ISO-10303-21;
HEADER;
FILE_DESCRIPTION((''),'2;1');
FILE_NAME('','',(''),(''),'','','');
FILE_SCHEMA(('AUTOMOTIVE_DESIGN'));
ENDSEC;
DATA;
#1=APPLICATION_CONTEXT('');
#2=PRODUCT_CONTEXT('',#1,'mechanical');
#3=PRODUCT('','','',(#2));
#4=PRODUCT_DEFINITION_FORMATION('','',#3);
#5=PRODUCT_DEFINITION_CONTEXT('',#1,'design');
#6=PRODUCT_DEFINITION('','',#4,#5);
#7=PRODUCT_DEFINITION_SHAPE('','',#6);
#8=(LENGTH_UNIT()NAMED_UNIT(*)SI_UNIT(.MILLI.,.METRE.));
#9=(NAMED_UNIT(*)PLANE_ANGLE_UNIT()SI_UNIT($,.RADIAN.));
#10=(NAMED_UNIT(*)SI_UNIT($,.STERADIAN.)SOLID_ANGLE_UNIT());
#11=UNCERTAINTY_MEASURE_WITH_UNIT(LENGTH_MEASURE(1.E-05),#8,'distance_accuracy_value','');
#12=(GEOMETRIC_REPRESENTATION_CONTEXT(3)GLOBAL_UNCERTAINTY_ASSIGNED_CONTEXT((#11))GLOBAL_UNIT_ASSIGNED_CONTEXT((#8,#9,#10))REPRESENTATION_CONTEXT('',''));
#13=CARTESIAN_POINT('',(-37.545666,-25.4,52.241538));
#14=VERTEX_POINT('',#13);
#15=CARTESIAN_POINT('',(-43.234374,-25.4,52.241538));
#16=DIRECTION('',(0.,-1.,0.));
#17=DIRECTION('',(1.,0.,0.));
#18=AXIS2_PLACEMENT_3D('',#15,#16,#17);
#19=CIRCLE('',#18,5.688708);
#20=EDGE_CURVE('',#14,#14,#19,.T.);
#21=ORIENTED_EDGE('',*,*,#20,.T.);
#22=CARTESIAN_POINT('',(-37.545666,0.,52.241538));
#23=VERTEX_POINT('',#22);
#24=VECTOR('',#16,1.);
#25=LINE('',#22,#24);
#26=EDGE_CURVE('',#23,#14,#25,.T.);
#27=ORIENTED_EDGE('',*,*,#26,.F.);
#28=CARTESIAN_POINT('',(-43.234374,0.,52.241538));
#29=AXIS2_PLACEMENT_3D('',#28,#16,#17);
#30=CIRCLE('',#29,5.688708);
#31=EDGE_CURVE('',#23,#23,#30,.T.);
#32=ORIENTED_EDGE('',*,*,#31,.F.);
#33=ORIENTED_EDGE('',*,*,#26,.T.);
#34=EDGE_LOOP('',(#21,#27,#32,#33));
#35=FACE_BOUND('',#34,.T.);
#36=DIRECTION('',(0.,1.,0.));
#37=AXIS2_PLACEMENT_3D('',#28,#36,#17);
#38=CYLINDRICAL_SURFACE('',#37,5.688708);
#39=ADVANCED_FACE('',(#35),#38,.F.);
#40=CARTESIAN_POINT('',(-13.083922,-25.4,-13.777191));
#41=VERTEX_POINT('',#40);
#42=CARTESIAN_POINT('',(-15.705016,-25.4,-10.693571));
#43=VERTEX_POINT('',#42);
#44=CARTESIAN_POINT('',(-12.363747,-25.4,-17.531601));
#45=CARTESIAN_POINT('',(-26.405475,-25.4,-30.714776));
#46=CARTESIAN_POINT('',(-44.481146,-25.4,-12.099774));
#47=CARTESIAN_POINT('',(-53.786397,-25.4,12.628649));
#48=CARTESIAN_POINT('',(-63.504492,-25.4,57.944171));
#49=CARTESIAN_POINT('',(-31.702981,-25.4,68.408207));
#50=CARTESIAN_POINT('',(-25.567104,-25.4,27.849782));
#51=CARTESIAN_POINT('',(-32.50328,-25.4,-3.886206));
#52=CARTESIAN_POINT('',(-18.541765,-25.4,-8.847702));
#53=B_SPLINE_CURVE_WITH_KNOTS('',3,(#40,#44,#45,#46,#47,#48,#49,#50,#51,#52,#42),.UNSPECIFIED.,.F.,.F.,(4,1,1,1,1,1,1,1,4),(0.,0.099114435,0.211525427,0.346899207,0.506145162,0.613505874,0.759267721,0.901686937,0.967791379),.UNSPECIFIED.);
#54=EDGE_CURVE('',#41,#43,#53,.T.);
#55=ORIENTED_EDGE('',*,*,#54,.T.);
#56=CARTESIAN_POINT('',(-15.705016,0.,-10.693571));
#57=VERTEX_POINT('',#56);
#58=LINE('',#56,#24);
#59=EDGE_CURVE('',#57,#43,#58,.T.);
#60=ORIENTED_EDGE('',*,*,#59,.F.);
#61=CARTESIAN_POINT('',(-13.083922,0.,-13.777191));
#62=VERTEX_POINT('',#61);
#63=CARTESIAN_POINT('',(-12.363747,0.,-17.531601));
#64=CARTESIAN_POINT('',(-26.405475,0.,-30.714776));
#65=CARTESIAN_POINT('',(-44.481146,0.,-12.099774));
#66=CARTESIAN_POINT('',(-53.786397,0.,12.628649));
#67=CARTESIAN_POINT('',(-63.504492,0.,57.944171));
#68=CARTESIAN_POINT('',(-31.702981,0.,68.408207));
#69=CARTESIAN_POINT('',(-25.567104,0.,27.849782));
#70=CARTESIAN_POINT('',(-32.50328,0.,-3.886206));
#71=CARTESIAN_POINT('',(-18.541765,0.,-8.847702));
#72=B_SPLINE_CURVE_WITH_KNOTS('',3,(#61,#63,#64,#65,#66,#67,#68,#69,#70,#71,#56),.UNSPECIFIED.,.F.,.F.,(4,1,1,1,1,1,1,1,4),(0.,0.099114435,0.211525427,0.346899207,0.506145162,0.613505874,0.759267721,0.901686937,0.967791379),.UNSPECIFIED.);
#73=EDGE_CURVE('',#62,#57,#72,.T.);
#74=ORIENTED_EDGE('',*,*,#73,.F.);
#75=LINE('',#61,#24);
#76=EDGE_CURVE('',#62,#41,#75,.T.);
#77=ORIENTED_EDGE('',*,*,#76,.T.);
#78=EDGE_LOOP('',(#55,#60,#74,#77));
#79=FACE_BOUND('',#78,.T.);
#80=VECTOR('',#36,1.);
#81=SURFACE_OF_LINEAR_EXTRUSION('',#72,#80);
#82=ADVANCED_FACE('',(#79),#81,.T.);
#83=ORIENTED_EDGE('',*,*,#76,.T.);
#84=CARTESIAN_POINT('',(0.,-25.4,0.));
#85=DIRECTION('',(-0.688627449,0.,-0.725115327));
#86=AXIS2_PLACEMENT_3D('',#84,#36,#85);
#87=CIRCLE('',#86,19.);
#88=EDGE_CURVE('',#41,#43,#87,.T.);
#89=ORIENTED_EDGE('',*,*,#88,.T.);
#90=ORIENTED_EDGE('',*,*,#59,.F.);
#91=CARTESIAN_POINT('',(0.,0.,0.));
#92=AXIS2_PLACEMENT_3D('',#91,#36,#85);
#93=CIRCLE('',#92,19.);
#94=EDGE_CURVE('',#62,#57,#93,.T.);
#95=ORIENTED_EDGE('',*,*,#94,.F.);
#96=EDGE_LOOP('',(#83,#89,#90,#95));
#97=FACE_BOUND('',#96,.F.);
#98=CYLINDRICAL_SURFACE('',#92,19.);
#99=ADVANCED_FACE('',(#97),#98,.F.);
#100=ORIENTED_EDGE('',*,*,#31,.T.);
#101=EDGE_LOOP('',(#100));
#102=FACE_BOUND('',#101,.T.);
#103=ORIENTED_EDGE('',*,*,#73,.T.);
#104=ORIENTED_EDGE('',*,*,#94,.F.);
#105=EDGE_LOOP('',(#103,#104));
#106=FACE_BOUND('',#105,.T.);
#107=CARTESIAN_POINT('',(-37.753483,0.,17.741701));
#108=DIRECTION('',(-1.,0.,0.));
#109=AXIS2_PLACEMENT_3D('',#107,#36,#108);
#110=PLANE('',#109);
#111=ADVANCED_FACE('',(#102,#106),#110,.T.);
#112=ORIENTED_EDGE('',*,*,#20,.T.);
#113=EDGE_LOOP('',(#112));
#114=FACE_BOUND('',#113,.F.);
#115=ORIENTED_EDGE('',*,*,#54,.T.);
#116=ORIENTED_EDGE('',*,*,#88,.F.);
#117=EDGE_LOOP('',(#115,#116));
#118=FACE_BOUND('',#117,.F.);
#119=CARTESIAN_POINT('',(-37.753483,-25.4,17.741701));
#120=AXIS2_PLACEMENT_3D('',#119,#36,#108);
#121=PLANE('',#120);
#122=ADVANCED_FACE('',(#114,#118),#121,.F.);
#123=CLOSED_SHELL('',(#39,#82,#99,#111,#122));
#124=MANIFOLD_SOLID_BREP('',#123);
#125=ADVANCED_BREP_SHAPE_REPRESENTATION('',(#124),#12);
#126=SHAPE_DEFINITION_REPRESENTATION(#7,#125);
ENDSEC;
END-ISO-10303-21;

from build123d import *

# Parameters (mm, degrees)
F0_R     = 5.6887082479
F1_DEPTH = 25.4


with BuildPart() as f1:
    # F0 (on Front) → F1 (new body)
    with BuildSketch(Plane.XZ):
        with BuildLine():
            add(Edge.make_bspline(
                [(-13.0839215248, -13.7771912062), (-12.3637471248, -17.5316008011), (-26.4054747869, -30.7147757195), (-44.4811464496, -12.0997744428), (-53.7863967937, 12.6286486059), (-63.5044924073, 57.9441707835), (-31.7029808767, 68.408207312), (-25.5671035922, 27.849781756), (-32.5032799021, -3.8862060779), (-18.5417646628, -8.8477015901), (-15.7050160836, -10.6935714246)],
                knots=[0, 0, 0, 0, 0.0991144354, 0.2115254274, 0.3468992066, 0.5061451617, 0.6135058737, 0.7592677215, 0.9016869369, 0.9677913794, 0.9677913794, 0.9677913794, 0.9677913794], degree=3))
            ThreePointArc((-13.0839215248, -13.7771912062), (-14.4768059286, -12.305368345), (-15.7050160836, -10.6935714246))
        make_face()
        with Locations((-43.2343743742, 52.24153772)):
            Circle(F0_R, mode=Mode.SUBTRACT)
    extrude(amount=F1_DEPTH)


solid = f1.part
